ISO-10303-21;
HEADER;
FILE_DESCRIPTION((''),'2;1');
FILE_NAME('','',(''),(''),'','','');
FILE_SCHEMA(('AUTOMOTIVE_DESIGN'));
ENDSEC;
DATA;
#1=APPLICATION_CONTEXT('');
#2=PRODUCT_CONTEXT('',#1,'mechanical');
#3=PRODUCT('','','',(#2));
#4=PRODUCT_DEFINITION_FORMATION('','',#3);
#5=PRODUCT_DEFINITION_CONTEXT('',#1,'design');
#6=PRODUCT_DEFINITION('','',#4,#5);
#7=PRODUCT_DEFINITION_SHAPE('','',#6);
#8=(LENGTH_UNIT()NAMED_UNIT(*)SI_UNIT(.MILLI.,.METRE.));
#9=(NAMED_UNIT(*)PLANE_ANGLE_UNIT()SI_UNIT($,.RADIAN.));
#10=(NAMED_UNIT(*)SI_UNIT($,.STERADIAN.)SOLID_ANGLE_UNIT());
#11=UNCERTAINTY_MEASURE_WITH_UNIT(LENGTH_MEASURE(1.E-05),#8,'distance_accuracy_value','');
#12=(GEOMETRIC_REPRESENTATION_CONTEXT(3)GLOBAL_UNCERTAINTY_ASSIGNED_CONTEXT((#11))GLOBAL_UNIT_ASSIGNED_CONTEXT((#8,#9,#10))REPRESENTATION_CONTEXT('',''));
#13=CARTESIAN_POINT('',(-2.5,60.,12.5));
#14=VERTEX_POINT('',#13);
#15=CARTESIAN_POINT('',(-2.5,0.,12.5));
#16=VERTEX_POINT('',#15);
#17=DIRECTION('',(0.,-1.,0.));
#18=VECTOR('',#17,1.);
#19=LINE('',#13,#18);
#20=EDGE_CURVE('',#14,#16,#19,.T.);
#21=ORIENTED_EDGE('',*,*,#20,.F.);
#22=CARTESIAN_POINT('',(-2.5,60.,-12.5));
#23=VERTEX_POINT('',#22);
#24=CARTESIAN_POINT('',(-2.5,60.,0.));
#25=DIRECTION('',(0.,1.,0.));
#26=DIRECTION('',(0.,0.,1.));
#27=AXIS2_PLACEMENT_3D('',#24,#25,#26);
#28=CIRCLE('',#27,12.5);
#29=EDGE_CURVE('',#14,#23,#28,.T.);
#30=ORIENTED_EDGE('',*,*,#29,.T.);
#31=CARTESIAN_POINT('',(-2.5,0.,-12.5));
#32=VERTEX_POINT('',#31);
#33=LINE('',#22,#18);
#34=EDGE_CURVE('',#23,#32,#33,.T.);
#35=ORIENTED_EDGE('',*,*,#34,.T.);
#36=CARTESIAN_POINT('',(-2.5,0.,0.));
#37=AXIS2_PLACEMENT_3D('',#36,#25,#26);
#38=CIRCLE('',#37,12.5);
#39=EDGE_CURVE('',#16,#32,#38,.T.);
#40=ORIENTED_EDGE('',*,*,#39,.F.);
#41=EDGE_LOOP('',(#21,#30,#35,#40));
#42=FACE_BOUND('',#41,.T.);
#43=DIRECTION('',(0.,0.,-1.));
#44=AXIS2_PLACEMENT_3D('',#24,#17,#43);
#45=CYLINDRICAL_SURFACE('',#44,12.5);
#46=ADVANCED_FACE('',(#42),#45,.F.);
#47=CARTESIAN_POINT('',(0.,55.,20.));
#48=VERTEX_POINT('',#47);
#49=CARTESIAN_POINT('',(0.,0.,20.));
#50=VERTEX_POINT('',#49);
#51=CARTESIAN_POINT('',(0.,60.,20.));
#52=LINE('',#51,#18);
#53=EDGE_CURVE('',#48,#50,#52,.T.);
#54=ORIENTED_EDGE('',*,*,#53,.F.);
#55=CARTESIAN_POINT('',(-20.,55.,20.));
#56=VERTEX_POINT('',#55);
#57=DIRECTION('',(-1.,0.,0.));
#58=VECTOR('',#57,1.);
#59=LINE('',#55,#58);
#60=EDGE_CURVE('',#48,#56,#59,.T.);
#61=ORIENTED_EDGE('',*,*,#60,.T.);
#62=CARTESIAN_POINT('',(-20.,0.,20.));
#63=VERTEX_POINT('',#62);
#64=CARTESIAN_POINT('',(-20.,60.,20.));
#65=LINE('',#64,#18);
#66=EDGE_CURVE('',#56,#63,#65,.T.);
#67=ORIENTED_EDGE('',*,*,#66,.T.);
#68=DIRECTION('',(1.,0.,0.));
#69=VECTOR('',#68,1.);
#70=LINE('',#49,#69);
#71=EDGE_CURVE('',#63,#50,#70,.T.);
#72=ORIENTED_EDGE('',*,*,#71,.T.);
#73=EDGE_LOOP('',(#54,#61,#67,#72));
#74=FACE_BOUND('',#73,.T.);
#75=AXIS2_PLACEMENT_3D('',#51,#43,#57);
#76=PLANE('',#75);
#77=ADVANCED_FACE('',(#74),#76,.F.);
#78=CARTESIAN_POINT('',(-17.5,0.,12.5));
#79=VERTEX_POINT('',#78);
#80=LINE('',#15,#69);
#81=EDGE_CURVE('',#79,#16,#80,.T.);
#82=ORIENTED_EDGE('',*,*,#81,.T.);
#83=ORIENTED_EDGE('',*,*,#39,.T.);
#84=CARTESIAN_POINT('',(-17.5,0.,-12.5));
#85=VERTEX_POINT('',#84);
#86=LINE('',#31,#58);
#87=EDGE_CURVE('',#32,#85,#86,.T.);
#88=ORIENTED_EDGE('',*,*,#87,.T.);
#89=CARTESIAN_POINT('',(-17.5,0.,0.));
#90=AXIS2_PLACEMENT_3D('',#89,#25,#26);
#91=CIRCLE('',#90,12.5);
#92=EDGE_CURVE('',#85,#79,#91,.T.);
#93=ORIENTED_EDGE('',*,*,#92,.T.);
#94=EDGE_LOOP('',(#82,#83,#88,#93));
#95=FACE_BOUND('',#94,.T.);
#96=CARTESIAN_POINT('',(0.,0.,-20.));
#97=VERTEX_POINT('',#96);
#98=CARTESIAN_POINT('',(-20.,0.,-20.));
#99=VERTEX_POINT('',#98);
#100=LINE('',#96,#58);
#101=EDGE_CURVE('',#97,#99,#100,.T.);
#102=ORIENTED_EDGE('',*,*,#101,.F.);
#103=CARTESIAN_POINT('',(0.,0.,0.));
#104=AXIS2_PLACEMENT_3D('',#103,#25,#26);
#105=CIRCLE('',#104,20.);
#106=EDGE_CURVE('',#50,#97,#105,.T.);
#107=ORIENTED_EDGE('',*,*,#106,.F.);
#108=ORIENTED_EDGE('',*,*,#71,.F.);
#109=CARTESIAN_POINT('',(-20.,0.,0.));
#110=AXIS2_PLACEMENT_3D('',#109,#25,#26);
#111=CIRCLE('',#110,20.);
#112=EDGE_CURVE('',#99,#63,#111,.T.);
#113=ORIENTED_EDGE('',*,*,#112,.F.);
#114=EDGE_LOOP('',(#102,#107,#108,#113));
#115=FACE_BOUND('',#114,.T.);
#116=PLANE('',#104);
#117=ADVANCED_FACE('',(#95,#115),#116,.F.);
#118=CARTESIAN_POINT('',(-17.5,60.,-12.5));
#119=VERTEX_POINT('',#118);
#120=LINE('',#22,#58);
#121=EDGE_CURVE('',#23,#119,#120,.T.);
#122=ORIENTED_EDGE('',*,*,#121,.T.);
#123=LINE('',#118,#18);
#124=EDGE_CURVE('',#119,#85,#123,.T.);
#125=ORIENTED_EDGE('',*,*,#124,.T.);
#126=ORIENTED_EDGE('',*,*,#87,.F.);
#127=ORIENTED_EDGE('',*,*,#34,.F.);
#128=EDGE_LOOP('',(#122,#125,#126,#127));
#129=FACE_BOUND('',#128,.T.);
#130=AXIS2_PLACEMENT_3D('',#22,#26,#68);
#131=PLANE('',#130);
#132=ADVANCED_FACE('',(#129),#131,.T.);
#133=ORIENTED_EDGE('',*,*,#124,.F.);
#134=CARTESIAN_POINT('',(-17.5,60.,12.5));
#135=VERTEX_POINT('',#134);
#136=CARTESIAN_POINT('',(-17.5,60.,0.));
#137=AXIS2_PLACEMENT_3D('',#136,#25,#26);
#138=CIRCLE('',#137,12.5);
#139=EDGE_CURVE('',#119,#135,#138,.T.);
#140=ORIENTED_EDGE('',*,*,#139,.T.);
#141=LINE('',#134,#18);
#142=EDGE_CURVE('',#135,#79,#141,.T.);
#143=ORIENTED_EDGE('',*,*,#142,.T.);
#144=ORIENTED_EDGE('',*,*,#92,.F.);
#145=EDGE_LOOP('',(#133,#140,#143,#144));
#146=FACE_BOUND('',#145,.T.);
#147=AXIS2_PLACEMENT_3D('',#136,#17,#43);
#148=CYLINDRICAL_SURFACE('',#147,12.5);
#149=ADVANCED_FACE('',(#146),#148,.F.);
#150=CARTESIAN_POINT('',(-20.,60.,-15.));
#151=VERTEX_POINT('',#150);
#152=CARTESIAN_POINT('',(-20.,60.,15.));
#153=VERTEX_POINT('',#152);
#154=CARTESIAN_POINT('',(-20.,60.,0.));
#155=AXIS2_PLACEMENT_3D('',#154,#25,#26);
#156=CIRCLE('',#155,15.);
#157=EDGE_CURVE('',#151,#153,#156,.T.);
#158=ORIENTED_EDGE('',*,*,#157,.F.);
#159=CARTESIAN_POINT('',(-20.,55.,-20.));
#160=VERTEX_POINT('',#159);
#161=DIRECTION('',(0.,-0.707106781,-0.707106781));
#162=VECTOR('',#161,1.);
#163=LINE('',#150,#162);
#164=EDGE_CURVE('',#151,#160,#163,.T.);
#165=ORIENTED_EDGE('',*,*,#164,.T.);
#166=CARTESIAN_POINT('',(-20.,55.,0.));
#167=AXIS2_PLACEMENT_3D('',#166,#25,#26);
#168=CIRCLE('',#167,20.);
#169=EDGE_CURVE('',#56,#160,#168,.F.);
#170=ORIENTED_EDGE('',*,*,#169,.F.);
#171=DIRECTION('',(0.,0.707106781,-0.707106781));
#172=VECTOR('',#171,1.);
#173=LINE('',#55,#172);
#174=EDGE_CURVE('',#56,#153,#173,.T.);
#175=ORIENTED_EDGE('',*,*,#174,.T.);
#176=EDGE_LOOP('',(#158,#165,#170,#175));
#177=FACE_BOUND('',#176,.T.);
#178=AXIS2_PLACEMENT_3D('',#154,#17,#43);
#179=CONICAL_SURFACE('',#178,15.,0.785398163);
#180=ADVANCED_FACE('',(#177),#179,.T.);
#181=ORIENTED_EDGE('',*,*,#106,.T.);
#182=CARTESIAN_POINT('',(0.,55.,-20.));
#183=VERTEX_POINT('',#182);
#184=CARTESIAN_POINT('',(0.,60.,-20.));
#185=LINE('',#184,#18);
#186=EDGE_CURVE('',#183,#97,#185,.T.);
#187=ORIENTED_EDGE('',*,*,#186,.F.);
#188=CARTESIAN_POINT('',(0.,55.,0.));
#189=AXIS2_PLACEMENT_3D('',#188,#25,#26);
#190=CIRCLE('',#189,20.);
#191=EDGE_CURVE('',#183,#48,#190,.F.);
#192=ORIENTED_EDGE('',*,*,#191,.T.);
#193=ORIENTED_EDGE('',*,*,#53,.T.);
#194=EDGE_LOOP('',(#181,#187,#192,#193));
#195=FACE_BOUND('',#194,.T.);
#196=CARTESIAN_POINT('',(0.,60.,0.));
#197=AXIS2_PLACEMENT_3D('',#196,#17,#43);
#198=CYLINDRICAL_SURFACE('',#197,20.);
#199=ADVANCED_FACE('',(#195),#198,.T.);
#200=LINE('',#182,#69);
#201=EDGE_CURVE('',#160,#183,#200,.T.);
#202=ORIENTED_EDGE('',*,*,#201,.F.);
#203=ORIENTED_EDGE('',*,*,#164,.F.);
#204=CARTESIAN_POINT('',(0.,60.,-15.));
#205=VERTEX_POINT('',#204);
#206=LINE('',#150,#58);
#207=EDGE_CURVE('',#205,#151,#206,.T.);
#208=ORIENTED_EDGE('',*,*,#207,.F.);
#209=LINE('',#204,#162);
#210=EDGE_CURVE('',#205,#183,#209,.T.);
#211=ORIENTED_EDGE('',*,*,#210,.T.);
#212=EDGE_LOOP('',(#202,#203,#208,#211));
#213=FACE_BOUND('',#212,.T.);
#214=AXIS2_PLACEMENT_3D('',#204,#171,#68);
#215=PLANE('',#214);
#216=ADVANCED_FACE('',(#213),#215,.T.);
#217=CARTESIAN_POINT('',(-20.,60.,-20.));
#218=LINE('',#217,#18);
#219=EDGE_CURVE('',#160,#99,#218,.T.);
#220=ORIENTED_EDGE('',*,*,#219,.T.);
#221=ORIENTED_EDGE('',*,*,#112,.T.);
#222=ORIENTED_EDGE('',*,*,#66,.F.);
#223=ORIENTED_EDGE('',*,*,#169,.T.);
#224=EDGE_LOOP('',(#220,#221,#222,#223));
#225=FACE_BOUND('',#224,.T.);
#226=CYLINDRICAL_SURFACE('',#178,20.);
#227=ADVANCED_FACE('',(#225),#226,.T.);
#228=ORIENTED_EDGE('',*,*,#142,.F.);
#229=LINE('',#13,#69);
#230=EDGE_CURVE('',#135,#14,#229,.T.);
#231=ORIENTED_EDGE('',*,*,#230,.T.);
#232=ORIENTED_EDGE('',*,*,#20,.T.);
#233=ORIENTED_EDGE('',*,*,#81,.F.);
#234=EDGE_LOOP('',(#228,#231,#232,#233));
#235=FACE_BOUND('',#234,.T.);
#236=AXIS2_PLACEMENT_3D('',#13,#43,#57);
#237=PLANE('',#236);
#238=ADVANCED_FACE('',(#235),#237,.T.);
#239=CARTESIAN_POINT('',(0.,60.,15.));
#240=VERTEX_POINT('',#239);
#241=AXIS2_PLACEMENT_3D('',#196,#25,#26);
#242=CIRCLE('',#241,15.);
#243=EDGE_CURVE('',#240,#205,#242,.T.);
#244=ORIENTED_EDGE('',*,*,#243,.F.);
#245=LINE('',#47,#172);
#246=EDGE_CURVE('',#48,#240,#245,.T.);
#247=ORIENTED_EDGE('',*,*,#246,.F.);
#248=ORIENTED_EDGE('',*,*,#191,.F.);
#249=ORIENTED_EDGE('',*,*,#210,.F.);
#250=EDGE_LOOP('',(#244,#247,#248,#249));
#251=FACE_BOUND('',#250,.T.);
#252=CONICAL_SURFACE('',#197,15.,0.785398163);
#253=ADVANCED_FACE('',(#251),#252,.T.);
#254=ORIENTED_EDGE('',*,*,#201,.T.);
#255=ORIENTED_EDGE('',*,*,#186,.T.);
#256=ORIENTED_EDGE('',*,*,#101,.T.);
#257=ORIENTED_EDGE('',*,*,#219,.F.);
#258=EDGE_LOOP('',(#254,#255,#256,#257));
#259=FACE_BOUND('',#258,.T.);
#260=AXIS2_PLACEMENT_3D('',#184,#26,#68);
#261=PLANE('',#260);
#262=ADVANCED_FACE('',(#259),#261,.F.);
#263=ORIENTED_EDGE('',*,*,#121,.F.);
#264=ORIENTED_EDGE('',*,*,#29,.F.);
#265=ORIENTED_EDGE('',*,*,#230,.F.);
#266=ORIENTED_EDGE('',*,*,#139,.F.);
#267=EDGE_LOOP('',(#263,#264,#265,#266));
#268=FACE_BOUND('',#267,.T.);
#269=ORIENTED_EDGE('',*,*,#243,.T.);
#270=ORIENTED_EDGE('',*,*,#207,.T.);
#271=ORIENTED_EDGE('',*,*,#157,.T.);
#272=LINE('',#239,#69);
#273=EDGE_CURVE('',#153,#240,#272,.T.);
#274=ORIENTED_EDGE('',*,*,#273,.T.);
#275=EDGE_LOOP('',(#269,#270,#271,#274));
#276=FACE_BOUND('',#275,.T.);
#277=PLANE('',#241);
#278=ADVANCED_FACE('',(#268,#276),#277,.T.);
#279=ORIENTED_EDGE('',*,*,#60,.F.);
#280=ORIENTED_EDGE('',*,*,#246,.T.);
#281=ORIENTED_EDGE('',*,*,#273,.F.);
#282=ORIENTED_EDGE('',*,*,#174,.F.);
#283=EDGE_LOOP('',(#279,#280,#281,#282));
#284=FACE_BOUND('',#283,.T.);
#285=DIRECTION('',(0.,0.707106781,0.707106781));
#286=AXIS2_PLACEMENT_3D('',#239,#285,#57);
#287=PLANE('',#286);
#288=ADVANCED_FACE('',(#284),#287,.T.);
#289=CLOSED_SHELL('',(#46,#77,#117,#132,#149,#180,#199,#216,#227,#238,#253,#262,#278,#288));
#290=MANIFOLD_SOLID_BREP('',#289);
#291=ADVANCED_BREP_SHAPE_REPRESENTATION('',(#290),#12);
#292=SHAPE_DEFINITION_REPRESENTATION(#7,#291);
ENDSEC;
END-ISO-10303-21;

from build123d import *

# Parameters (mm, degrees)
SALIENTE_EXTRUIR1_DEPTH = 60
CHAFL_N1_SIZE           = 5


with BuildPart() as part:
    # Croquis1 → Saliente-Extruir1 (new body)
    with BuildSketch(Plane(origin=(0, 0, 0), x_dir=(1, 0, 0), z_dir=(0, 1, 0))):
        with BuildLine():
            Line((0, -20), (-20, -20))
            ThreePointArc((-20, -20), (-40, 0), (-20, 20))
            Line((-20, 20), (0, 20))
            ThreePointArc((0, 20), (20, 0), (0, -20))
        make_face()
        with BuildLine():
            Line((-2.5, -12.5), (-17.5, -12.5))
            ThreePointArc((-17.5, -12.5), (-30, 0), (-17.5, 12.5))
            Line((-17.5, 12.5), (-2.5, 12.5))
            ThreePointArc((-2.5, 12.5), (10, 0), (-2.5, -12.5))
        make_face(mode=Mode.SUBTRACT)
    extrude(amount=SALIENTE_EXTRUIR1_DEPTH)

    # Chaflán1
    chafl_n1_edges = [part.edges().sort_by_distance(p)[0] for p in [
        (-40, 60, 0),
        (-10, 60, 20),
        (20, 60, 0),
        (-10, 60, -20),
    ]]
    chamfer(chafl_n1_edges, length=CHAFL_N1_SIZE)


solid = part.part
